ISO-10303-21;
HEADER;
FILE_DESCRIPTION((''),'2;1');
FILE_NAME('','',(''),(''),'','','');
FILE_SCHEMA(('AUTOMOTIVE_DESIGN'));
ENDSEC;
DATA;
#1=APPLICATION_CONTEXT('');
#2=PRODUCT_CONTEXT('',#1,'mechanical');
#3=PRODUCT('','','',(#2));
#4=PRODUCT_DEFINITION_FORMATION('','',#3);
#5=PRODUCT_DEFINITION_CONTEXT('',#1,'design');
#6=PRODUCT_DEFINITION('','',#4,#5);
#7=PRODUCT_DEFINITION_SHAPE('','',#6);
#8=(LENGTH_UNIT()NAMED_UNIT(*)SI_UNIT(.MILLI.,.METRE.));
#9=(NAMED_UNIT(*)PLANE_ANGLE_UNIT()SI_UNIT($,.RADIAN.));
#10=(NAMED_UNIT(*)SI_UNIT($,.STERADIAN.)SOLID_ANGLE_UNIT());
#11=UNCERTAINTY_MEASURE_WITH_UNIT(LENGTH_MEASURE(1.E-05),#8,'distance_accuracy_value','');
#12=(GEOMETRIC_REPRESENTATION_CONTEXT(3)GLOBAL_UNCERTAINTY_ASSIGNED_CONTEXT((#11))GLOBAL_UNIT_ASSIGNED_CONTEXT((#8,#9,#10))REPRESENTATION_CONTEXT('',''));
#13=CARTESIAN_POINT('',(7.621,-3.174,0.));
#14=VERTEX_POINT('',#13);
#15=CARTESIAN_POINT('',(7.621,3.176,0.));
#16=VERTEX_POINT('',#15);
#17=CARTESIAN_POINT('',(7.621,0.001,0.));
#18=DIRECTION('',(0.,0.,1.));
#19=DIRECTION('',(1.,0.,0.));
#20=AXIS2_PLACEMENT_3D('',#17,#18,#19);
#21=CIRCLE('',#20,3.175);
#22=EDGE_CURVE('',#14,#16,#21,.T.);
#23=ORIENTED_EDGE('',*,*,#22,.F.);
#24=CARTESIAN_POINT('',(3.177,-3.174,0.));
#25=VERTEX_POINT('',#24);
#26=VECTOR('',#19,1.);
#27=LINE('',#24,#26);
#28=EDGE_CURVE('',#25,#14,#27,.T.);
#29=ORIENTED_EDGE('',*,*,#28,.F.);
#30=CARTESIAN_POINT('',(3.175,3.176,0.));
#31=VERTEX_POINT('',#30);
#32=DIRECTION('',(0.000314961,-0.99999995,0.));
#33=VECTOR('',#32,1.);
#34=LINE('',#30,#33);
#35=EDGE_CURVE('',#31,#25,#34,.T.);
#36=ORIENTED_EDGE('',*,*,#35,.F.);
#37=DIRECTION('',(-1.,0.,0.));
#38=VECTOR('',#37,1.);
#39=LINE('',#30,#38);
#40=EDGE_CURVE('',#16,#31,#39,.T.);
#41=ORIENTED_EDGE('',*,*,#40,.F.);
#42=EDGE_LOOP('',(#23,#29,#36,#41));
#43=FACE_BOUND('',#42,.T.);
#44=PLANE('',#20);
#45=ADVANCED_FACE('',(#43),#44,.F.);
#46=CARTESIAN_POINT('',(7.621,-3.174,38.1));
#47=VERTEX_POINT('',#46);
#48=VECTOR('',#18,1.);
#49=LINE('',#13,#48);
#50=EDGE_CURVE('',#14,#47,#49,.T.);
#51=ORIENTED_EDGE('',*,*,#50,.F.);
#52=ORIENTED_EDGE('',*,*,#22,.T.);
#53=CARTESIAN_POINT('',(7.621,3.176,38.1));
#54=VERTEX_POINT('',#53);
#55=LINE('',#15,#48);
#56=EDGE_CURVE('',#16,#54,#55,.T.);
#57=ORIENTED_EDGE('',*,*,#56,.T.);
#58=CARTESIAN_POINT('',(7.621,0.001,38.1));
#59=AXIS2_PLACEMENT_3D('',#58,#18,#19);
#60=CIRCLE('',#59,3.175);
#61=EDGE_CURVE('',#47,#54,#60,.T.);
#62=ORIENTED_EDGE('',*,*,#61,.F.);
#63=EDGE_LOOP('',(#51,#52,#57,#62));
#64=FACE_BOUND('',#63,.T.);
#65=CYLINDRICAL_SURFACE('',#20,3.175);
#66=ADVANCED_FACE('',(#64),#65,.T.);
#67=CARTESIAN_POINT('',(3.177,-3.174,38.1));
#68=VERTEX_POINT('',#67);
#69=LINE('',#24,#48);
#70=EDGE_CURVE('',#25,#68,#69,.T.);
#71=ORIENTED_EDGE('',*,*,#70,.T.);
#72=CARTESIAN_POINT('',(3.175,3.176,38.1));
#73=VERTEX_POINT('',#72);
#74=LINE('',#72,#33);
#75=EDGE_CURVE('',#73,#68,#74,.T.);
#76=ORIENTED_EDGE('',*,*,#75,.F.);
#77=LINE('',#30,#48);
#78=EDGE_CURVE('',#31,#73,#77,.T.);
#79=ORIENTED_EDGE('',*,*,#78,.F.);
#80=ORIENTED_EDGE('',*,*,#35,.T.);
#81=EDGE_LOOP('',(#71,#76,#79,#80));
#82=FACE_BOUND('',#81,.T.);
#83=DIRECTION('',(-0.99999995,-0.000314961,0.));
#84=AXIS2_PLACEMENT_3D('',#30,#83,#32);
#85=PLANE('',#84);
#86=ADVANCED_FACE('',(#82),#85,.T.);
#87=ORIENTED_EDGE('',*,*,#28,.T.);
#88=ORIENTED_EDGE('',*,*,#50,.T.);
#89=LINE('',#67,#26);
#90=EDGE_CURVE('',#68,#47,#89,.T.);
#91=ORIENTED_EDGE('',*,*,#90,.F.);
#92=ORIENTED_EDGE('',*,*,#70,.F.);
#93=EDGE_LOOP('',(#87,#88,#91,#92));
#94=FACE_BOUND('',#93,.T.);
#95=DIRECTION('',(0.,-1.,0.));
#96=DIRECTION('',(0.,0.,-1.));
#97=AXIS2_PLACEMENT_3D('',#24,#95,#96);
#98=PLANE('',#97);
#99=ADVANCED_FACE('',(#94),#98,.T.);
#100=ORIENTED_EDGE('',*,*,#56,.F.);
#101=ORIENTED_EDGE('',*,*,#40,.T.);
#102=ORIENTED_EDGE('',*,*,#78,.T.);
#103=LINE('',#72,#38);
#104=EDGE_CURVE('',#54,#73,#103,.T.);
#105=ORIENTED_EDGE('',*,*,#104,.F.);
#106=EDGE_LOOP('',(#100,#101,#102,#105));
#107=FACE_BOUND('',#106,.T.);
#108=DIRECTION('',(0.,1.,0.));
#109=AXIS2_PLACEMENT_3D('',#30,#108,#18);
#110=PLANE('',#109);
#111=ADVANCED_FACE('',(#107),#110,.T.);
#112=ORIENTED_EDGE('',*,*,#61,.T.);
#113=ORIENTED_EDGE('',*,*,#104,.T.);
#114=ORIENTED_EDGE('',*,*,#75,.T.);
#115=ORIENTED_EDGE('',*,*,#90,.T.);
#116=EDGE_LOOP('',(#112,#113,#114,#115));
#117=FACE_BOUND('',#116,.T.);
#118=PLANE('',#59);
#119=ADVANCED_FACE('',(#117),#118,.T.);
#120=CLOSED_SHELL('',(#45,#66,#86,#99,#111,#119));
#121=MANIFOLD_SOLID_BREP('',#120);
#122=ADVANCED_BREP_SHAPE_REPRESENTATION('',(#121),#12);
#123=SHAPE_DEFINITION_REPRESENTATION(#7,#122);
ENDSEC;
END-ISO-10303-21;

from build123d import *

# Parameters (mm, degrees)
BOSS_EXTRUDE1_DEPTH = 38.1


with BuildPart() as part:
    # Sketch3 → Boss-Extrude1 (new body)
    with BuildSketch(Plane.XY.offset(38.1)):
        with BuildLine():
            Line((3.177, -3.174), (7.621, -3.174))
            ThreePointArc((7.621, -3.174), (10.796, 0.001), (7.621, 3.176))
            Line((7.621, 3.176), (3.175, 3.176))
            Line((3.175, 3.176), (3.177, -3.174))
        make_face()
    extrude(amount=-BOSS_EXTRUDE1_DEPTH)


solid = part.part
